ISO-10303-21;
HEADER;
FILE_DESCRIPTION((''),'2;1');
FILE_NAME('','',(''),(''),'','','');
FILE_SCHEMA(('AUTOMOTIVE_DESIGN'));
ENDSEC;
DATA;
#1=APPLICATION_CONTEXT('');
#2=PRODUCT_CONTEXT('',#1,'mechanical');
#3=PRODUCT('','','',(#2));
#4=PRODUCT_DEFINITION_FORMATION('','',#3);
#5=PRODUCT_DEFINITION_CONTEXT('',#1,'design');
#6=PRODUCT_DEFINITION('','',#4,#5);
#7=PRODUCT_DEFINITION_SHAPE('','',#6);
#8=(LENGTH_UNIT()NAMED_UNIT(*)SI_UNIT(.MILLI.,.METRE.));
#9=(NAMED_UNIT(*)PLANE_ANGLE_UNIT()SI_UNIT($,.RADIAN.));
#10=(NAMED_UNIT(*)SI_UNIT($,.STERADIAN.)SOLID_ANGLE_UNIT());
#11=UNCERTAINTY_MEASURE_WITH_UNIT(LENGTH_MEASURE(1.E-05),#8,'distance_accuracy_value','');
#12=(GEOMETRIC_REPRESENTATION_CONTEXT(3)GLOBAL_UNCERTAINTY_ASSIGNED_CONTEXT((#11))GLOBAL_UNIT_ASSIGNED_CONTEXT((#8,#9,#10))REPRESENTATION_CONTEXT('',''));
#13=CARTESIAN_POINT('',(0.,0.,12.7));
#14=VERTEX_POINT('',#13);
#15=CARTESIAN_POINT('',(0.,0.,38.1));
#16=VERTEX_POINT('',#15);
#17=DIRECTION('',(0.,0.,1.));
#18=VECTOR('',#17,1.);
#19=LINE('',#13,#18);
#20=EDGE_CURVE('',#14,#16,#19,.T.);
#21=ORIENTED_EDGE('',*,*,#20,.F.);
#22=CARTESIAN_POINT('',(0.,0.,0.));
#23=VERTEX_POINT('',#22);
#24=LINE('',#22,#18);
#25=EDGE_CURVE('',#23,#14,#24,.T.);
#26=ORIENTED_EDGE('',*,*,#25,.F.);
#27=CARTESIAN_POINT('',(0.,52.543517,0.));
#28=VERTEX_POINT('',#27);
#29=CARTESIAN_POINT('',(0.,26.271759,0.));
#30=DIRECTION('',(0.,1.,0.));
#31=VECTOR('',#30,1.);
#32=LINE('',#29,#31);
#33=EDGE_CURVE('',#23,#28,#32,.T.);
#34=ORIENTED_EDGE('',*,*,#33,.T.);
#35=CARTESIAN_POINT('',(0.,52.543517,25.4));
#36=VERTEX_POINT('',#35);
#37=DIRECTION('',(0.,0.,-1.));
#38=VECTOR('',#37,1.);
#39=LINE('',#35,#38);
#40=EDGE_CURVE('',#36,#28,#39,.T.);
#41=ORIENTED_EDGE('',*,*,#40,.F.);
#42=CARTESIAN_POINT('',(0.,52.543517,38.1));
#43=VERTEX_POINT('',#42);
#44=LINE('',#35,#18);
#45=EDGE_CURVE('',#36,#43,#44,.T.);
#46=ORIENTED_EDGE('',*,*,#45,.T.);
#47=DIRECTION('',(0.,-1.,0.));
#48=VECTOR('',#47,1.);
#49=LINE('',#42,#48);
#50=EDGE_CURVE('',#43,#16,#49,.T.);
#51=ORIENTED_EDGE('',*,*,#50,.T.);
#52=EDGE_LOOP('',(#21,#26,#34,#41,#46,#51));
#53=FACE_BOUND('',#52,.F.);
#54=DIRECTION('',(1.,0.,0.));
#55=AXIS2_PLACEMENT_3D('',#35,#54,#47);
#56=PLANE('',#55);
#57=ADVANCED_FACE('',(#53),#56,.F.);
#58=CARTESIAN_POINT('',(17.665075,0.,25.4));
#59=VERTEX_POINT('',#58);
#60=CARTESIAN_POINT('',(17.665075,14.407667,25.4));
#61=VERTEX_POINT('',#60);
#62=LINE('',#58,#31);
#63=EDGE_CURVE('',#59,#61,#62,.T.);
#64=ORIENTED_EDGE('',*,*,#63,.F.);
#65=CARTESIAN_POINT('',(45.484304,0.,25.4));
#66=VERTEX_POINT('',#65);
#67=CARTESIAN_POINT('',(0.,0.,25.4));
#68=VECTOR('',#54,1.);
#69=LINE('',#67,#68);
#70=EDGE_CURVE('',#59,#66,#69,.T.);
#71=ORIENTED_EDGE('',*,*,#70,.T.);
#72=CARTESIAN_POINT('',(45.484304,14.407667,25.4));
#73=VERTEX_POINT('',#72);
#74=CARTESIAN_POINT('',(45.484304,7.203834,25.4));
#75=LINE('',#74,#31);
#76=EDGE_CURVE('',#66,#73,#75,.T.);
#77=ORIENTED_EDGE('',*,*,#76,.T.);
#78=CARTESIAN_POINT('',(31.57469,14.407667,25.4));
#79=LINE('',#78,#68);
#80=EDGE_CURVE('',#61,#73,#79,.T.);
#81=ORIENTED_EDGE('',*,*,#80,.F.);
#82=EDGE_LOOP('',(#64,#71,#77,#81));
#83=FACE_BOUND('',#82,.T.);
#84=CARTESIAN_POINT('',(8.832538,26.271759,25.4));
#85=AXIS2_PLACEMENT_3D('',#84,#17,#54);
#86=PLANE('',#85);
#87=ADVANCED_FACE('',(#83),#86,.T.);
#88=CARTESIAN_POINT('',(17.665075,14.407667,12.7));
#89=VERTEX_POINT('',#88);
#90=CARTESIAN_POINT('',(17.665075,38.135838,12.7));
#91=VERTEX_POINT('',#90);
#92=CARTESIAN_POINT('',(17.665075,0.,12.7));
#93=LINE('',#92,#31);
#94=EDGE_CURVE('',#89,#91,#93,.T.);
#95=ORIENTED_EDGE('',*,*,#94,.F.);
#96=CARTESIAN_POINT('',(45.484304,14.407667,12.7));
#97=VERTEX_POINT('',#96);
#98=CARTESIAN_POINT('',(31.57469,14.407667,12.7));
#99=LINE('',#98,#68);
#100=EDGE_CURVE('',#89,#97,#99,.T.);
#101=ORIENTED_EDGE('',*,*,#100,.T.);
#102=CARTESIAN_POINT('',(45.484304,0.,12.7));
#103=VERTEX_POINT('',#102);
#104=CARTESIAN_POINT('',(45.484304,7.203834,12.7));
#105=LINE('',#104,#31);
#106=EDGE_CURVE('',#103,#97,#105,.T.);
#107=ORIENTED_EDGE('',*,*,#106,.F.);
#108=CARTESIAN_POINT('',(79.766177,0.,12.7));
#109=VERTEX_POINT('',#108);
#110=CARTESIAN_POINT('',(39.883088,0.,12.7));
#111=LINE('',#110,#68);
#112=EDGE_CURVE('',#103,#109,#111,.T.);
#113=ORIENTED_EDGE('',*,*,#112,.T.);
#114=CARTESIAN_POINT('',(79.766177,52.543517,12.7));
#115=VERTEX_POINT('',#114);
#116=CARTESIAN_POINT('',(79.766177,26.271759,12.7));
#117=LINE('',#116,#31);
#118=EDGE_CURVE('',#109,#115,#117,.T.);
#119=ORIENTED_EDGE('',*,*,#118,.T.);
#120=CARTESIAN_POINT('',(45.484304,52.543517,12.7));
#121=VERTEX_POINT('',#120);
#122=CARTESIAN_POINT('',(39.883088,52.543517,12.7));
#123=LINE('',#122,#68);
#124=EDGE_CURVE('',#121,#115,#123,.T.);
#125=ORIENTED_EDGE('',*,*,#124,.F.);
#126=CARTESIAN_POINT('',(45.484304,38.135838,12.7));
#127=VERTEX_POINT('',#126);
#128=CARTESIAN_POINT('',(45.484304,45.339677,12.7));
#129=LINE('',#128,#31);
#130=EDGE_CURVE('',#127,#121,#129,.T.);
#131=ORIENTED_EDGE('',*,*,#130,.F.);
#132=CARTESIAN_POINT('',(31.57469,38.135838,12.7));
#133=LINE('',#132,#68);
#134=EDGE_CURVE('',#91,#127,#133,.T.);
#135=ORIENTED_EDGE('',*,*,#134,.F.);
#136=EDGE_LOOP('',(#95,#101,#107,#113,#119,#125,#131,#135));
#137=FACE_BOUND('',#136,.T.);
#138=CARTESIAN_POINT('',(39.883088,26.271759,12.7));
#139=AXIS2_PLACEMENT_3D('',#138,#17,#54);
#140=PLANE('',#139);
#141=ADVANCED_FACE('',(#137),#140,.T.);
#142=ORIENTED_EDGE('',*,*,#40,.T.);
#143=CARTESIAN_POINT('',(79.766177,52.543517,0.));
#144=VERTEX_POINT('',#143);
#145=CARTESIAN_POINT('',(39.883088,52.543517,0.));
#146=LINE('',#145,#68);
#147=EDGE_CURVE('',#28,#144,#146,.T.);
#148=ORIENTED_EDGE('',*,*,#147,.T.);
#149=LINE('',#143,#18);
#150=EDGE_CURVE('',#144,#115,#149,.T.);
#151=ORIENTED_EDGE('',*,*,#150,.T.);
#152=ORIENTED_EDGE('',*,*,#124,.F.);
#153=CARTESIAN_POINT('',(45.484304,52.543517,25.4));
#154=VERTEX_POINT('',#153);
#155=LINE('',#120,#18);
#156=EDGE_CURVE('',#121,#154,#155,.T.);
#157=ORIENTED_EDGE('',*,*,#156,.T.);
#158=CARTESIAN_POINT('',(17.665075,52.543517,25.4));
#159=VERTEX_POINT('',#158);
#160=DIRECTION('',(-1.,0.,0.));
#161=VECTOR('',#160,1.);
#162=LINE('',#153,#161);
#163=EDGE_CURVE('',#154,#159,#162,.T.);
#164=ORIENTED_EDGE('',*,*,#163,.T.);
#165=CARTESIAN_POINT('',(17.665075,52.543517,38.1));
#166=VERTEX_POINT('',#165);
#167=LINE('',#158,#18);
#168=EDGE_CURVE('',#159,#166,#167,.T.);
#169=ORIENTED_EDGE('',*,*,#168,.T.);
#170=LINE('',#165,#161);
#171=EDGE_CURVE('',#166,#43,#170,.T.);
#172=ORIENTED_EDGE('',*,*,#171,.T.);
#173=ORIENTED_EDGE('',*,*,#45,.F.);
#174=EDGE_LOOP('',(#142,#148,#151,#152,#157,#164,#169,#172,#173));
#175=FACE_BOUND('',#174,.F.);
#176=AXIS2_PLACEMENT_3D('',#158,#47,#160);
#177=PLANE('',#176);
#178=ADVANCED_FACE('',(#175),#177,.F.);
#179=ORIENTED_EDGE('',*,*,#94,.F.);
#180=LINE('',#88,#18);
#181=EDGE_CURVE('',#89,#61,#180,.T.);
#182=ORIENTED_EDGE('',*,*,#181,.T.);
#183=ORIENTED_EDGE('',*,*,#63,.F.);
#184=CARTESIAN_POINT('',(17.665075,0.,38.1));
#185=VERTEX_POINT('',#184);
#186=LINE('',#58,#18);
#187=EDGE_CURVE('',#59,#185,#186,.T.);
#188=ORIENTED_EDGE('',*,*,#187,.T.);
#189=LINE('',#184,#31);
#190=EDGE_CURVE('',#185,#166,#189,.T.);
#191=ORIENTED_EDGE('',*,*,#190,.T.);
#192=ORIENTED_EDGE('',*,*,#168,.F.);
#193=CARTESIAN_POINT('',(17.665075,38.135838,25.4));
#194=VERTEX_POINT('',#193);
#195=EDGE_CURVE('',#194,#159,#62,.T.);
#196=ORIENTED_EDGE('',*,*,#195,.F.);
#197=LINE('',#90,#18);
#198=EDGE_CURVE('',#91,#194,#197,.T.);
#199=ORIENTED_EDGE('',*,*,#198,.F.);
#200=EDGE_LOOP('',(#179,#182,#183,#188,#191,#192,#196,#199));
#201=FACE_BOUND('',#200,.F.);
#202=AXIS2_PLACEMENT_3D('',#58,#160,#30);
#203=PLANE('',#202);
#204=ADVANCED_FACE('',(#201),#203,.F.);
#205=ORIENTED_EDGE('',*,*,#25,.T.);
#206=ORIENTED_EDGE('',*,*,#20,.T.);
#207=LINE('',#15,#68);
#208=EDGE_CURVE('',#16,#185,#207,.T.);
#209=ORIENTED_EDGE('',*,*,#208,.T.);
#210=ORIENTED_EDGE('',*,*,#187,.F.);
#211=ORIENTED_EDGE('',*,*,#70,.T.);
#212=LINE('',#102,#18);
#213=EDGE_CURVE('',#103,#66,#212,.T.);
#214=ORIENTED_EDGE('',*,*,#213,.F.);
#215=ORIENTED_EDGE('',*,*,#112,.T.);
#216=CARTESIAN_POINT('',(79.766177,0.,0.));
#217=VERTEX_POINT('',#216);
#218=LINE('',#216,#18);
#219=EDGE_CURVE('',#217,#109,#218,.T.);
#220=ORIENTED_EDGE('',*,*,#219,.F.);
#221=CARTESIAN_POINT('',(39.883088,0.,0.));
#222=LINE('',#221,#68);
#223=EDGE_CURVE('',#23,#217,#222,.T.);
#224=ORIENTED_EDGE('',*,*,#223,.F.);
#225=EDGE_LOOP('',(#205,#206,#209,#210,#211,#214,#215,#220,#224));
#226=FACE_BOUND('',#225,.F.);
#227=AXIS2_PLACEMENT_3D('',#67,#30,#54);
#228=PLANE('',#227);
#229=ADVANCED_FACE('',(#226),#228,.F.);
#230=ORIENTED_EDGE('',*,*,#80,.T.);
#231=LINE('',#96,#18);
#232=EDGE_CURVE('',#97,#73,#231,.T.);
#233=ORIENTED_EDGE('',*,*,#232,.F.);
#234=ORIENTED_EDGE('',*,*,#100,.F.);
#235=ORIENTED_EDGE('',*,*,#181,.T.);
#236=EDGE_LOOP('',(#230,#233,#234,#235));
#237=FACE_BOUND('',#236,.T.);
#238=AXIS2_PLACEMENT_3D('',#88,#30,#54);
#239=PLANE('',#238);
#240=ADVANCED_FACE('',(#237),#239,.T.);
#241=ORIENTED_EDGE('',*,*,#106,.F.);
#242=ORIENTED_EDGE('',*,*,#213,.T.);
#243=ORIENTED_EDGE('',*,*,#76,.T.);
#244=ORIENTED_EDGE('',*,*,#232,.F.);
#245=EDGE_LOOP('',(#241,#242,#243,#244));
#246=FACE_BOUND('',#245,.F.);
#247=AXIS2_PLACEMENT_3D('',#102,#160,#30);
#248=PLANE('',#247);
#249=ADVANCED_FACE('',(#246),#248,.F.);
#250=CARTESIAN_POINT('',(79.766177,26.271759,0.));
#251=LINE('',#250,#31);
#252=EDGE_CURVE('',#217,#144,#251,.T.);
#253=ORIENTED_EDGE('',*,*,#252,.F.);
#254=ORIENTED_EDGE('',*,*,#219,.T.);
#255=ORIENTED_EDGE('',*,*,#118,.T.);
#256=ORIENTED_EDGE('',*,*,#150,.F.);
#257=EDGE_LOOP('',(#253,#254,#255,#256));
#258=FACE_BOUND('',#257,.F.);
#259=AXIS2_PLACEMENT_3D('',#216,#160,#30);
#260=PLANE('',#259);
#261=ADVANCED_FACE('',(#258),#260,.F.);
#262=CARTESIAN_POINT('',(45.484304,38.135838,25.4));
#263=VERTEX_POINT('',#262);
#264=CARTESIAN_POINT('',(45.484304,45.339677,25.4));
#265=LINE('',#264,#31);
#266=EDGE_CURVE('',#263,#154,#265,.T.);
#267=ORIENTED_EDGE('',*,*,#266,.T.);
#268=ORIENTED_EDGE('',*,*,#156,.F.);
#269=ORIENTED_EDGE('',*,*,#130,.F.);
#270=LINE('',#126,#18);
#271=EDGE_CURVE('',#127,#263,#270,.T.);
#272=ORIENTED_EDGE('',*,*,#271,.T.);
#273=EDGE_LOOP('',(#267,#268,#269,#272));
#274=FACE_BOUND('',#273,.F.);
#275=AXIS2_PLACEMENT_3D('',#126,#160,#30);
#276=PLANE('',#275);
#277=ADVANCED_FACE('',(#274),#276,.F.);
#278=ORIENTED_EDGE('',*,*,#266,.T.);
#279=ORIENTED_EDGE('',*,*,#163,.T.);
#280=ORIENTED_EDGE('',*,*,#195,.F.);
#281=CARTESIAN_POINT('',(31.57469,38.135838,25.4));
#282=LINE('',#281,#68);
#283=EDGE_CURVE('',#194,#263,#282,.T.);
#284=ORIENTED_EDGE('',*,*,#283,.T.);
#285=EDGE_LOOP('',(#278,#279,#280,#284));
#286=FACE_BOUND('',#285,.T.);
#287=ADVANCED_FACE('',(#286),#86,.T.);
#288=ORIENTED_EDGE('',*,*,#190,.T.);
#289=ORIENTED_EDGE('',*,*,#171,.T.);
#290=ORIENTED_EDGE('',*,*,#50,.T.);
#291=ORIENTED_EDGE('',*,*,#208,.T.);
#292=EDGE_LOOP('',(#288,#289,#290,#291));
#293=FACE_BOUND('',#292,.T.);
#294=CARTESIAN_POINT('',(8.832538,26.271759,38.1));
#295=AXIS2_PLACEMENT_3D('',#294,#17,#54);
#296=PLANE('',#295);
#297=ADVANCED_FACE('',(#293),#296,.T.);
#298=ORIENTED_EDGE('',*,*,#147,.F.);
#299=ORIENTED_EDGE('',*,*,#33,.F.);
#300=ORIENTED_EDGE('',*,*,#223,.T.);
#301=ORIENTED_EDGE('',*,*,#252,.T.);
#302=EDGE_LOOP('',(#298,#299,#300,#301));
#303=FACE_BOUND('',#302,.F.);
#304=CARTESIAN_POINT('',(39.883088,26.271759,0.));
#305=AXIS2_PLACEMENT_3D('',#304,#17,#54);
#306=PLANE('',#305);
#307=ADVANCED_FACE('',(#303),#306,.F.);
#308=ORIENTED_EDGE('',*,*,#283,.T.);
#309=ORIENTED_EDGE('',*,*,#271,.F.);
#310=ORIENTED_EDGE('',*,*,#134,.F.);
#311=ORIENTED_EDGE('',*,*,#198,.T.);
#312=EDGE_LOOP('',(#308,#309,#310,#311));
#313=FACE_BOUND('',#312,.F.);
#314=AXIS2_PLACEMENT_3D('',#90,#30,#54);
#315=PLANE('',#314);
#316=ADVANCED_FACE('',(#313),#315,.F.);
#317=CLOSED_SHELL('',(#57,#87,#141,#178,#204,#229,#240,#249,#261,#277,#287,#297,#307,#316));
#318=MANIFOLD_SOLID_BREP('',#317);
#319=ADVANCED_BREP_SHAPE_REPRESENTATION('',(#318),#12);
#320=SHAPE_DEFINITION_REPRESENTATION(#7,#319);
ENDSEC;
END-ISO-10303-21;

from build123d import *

# Parameters (mm, degrees)
F0_W     = 79.766176641
F0_H     = 52.5435172021
F1_DEPTH = 12.7
F2_W     = 27.8192292899
F2_H     = 14.4076673314
F2_H_2   = 14.4076794386
F3_DEPTH = 12.7
F5_DEPTH = 12.7


with BuildPart() as f1:
    # F0 (on Top) → F1 (new body)
    with BuildSketch(Plane.XY):
        with Locations((39.8830883205, 26.2717586011)):
            Rectangle(F0_W, F0_H)
    extrude(amount=F1_DEPTH)

    # F2 (on face) → F3 (join)
    with BuildSketch(Plane.XY.offset(12.7)):
        Polygon((17.6650751382, 52.5435172021), (0, 52.5435172021), (0, 0), (17.6650751382, 0), (17.6650751382, 14.4076673314), (17.6650751382, 38.1358377635), align=None)
        with Locations((31.5746897832, 7.2038336657)):
            Rectangle(F2_W, F2_H)
        with Locations((31.5746897832, 45.3396774828)):
            Rectangle(F2_W, F2_H_2)
    extrude(amount=F3_DEPTH)

    # F4 (on face) → F5 (join)
    with BuildSketch(Plane.XY.offset(25.4)):
        Polygon((17.6650751382, 52.5435172021), (0, 52.5435172021), (0, 0), (17.6650751382, 0), (17.6650751382, 14.4076673314), (17.6650751382, 38.1358377635), align=None)
    extrude(amount=F5_DEPTH)


solid = f1.part
